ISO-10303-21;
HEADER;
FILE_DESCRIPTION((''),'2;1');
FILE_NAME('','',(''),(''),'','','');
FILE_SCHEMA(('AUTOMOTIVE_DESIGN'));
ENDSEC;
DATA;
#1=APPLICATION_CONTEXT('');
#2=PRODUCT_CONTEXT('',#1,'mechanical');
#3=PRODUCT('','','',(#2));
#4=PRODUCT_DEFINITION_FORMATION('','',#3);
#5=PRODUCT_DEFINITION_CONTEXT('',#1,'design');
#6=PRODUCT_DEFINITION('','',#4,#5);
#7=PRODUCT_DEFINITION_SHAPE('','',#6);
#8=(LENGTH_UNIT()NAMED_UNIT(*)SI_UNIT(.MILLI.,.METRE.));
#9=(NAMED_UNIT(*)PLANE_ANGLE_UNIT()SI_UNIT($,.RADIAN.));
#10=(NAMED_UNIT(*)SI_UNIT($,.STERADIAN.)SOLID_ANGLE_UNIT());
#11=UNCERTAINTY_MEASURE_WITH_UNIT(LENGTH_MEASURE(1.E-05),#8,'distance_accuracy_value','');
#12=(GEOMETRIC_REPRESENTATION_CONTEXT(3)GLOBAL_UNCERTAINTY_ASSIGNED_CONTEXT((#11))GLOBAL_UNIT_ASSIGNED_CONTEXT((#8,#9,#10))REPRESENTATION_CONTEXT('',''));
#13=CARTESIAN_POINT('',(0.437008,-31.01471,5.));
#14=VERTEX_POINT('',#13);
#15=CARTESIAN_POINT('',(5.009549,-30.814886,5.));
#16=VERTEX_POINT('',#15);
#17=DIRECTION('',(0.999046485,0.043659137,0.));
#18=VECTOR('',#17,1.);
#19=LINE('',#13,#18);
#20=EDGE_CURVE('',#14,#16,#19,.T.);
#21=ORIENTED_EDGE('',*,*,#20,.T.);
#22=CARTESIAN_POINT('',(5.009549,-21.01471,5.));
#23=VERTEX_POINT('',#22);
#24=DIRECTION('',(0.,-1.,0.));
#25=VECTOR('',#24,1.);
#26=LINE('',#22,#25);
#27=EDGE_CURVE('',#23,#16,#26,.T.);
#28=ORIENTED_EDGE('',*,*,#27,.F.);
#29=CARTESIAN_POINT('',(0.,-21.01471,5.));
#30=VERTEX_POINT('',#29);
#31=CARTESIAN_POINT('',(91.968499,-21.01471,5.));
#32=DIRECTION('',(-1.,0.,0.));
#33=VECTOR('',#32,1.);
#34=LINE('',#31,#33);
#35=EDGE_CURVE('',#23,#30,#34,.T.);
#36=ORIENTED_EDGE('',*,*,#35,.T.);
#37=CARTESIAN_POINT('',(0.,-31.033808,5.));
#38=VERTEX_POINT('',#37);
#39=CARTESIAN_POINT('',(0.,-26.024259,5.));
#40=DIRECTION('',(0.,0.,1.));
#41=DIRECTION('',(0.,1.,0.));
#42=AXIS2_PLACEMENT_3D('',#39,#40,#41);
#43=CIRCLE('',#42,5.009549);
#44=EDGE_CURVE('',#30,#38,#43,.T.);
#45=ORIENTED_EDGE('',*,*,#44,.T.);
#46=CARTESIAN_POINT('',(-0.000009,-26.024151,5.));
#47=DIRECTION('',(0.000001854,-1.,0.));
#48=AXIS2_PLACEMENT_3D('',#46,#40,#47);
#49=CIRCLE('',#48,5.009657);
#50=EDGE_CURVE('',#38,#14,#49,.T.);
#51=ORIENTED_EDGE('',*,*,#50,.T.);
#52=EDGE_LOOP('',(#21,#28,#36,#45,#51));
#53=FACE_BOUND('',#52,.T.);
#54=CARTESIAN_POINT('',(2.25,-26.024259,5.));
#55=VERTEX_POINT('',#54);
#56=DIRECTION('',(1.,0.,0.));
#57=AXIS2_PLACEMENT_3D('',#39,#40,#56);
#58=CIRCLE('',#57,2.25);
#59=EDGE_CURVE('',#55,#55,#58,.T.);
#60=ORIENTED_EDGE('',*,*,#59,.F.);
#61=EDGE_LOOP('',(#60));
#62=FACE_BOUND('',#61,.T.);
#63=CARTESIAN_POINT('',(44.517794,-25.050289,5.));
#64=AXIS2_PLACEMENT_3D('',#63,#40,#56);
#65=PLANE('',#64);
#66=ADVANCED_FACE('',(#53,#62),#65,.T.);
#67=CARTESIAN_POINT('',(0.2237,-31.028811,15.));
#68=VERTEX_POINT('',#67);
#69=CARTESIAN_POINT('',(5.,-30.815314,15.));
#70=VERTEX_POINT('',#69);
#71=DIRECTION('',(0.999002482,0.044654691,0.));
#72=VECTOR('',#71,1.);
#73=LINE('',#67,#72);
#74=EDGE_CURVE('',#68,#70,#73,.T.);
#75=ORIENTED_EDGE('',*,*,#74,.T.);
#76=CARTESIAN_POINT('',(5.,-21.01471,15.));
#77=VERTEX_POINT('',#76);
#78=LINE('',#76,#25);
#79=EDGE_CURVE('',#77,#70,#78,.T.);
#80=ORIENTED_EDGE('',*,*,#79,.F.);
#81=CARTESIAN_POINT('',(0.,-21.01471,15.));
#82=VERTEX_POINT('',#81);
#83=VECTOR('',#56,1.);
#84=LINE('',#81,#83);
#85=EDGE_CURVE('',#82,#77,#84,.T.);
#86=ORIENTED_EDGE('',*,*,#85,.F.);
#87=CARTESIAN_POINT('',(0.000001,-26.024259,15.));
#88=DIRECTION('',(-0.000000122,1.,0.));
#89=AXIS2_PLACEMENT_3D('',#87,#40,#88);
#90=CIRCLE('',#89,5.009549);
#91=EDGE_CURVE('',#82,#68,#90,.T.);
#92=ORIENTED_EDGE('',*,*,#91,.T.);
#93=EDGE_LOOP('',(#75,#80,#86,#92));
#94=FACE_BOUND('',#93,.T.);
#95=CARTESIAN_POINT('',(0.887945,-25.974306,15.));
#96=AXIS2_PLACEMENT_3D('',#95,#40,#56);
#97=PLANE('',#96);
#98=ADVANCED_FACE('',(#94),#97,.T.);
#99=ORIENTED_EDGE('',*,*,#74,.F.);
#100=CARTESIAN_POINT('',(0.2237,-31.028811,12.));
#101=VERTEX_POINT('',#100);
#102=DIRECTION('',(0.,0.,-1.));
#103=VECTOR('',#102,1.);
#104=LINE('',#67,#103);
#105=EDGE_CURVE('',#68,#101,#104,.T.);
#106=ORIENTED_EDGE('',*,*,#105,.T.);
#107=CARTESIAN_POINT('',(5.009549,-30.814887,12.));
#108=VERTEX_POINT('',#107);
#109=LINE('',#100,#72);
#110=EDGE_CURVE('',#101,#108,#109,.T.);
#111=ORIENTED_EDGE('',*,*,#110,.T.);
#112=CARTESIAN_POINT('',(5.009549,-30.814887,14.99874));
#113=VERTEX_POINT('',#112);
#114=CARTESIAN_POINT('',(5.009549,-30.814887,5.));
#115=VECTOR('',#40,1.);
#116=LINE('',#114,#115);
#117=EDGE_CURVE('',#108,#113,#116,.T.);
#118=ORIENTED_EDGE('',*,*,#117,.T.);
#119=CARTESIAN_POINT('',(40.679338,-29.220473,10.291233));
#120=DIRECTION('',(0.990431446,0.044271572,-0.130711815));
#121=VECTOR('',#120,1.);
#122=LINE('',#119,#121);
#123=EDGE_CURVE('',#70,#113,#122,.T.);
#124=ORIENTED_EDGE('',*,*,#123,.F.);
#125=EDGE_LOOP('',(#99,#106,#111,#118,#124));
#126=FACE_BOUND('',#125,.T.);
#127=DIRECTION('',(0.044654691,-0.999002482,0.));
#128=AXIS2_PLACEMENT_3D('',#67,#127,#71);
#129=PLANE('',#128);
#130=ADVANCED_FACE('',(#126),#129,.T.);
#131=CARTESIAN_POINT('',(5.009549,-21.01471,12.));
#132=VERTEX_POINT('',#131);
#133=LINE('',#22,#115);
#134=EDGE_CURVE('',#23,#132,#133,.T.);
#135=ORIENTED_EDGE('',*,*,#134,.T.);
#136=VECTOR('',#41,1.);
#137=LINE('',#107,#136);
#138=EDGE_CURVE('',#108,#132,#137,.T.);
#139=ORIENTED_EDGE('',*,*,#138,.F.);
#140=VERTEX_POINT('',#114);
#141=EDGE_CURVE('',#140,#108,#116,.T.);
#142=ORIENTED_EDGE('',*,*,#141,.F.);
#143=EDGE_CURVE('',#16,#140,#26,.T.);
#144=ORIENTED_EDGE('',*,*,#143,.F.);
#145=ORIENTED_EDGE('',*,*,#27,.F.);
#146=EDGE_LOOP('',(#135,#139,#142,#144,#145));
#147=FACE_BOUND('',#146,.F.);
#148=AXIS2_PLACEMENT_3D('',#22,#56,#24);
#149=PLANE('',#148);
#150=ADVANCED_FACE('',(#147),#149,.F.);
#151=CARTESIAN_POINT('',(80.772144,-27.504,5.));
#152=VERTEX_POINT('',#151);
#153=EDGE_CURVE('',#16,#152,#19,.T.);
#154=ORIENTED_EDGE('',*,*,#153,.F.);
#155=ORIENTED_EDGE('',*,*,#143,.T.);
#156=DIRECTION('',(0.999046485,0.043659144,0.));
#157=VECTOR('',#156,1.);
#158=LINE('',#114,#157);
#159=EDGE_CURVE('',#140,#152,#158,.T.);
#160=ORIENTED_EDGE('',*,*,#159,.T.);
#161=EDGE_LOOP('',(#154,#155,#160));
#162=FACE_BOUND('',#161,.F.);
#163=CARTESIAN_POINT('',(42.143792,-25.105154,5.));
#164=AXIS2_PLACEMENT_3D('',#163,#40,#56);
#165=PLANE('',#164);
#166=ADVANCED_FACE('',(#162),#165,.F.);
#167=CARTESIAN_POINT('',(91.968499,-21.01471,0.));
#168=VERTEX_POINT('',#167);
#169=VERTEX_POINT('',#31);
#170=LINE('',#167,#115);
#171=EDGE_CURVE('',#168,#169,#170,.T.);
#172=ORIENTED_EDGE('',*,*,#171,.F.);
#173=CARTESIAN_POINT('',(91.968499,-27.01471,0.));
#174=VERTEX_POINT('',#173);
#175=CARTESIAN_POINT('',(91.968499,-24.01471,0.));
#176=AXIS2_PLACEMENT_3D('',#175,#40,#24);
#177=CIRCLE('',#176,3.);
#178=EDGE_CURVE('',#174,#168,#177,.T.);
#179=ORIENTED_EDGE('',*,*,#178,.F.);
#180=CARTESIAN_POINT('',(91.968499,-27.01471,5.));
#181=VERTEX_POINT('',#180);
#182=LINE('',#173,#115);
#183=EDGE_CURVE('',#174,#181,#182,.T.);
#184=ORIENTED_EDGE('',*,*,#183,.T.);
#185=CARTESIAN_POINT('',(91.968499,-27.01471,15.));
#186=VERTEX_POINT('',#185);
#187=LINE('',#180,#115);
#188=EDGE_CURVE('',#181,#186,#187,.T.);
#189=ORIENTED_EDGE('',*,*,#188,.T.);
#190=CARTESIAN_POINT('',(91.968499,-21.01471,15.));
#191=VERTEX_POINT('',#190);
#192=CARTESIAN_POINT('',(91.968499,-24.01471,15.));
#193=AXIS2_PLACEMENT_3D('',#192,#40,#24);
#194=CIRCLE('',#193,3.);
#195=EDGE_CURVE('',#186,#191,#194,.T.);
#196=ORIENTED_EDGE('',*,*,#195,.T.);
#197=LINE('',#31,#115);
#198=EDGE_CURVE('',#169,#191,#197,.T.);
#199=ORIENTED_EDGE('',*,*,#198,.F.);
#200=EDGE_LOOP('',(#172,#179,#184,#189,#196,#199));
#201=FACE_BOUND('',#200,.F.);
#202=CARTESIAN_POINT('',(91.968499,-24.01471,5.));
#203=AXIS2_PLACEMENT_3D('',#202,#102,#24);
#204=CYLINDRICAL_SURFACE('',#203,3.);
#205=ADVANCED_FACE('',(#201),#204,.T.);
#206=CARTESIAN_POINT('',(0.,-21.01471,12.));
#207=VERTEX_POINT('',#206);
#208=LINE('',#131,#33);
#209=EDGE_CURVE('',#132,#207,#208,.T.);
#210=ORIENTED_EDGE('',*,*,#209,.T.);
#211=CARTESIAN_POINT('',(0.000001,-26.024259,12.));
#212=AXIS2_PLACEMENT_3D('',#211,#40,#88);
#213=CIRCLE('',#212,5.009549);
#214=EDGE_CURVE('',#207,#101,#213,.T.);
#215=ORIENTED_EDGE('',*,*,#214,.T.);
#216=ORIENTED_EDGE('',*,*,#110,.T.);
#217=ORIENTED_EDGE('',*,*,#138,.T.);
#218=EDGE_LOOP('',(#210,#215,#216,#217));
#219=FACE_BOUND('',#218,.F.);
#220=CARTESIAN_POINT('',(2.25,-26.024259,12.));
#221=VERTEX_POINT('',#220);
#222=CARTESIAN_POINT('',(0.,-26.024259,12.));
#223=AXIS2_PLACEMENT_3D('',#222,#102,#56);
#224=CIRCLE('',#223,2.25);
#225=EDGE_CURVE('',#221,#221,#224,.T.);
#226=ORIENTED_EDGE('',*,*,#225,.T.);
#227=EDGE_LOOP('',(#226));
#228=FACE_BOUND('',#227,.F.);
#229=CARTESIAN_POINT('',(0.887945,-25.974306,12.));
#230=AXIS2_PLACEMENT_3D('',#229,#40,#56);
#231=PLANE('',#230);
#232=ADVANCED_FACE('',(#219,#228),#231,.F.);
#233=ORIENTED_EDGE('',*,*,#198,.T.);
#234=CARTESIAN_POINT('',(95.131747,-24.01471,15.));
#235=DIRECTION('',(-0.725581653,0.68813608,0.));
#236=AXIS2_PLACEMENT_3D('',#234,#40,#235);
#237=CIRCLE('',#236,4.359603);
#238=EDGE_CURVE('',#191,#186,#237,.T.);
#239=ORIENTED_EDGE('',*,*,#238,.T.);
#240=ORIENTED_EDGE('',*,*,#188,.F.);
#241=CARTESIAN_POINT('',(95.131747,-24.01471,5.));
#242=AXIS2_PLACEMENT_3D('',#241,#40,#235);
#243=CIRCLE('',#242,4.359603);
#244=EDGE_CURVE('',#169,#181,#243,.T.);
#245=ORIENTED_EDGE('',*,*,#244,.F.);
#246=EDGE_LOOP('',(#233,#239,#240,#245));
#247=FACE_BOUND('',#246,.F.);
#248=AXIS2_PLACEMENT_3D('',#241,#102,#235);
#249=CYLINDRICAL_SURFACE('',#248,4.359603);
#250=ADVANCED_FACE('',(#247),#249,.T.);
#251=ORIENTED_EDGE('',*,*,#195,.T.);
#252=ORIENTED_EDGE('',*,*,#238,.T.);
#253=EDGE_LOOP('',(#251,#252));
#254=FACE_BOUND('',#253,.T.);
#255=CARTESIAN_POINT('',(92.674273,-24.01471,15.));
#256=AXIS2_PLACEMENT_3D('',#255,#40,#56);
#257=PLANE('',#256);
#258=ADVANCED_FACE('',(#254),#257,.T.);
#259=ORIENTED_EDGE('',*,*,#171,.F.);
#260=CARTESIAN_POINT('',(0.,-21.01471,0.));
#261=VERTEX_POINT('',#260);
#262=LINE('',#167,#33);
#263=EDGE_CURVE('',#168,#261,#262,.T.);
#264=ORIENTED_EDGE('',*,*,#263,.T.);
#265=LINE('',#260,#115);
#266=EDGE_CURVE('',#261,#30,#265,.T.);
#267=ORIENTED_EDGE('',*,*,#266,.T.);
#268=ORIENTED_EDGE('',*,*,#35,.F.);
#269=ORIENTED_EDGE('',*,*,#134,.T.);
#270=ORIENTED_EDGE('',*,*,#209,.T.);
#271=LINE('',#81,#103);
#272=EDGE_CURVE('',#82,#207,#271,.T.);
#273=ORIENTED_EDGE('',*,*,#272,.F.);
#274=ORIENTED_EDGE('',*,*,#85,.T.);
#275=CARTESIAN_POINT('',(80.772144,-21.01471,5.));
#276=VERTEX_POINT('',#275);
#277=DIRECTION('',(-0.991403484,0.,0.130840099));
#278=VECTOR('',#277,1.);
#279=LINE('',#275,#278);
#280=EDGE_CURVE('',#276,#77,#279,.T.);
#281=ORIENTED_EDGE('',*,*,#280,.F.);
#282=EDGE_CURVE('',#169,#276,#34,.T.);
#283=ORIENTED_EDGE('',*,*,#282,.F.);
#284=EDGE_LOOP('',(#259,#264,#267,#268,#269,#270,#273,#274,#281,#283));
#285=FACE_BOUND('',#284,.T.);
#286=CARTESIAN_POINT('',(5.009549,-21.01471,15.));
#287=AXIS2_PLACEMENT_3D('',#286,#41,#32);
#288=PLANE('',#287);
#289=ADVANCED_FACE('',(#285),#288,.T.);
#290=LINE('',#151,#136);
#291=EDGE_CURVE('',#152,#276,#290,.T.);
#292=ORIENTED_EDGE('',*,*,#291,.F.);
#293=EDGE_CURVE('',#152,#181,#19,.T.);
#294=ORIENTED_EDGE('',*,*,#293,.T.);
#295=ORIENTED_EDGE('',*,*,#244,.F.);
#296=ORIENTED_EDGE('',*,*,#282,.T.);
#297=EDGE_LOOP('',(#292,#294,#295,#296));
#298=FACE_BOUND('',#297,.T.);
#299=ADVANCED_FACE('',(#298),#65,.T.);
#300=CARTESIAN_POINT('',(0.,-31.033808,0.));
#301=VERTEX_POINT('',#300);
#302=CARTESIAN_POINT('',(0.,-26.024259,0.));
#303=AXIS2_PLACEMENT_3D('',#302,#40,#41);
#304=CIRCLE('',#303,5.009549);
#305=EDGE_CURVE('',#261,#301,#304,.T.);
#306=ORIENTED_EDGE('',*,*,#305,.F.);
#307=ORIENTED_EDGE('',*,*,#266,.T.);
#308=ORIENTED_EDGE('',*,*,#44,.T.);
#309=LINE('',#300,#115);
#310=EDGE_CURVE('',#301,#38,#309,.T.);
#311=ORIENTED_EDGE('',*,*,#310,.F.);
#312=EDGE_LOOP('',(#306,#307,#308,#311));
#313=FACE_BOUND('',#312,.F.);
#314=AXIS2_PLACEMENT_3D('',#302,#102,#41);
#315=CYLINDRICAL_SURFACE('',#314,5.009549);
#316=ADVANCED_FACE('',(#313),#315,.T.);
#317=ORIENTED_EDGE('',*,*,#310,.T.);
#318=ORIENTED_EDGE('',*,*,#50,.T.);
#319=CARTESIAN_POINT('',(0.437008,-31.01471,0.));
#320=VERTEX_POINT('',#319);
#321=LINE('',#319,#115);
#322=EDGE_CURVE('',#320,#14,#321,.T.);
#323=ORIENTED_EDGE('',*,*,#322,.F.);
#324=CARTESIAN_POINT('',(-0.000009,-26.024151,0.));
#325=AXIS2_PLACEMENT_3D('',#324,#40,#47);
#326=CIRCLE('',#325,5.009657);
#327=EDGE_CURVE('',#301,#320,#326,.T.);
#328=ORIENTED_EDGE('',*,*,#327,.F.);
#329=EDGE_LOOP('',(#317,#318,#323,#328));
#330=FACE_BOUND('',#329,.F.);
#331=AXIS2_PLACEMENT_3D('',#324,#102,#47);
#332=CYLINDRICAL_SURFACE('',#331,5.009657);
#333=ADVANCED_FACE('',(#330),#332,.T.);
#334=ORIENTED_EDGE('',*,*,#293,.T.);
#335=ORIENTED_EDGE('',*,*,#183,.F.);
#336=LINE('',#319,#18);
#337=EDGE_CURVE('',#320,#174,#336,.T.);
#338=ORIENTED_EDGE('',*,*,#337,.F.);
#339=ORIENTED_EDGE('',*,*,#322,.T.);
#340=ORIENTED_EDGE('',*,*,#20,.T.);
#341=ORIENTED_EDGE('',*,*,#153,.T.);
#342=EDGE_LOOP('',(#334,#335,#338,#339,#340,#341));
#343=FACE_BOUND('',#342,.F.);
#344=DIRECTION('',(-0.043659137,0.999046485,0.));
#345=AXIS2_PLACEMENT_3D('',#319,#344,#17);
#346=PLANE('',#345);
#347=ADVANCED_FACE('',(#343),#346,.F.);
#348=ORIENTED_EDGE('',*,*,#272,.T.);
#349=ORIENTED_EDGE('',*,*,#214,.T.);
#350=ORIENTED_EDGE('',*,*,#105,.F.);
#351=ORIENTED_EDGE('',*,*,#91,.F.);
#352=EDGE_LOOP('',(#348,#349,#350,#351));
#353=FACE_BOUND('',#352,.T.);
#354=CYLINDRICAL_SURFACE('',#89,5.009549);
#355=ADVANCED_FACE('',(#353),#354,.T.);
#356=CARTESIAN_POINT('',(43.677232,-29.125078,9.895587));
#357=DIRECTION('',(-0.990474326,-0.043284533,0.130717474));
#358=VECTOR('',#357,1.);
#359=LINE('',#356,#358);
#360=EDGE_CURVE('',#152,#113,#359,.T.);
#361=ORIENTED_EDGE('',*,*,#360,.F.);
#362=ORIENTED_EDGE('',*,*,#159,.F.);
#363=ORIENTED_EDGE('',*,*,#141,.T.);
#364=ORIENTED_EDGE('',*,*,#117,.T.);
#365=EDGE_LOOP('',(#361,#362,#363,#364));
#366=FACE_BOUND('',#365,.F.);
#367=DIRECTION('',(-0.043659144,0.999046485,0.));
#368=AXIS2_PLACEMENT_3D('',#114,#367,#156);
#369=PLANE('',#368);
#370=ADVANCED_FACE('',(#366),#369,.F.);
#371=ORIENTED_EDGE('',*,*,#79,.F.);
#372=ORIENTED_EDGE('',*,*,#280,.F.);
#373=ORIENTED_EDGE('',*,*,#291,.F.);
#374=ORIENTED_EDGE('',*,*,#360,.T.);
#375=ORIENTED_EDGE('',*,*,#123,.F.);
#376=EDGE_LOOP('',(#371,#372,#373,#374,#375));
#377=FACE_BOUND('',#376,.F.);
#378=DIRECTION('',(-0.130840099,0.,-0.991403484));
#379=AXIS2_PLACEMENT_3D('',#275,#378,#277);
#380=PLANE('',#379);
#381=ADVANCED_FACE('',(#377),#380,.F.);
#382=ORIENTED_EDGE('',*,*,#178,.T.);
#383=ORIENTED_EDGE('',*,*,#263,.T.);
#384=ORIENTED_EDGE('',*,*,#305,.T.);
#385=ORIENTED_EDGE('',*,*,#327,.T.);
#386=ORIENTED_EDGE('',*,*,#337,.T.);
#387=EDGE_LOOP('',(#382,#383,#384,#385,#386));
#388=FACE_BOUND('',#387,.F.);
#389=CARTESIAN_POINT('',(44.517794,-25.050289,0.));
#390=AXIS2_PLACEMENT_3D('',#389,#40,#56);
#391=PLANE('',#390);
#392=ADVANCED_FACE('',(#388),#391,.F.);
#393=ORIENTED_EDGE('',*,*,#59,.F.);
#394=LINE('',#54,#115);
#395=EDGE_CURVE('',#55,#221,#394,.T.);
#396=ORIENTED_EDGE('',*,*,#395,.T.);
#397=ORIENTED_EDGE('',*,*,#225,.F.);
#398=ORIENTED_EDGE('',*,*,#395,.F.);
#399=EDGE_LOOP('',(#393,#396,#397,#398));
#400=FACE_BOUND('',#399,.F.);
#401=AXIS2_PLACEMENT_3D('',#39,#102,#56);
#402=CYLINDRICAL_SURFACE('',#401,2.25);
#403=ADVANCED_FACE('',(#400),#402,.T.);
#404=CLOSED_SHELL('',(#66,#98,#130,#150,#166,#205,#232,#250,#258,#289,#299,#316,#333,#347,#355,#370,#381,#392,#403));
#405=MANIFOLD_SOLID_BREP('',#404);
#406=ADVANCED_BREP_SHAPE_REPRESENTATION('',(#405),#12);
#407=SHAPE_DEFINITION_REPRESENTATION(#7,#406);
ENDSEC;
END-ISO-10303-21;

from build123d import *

# Parameters (mm, degrees)
F1_DEPTH  = 5
F3_DEPTH  = 10
F4_R      = 2.25
F5_DEPTH  = 10
F7_DEPTH  = 10
F9_DEPTH  = 3
F11_DEPTH = 25


with BuildPart() as f1:
    # F0 (on Top) → F1 (new body)
    with BuildSketch(Plane.XY):
        with BuildLine():
            Line((91.968499, -21.01471), (0, -21.01471))
            ThreePointArc((0, -21.01471), (-5.009549, -26.024259), (0, -31.033808))
            Line((0, -31.033808), (0.437008, -31.01471))
            Line((0.437008, -31.01471), (91.968499, -27.01471))
            ThreePointArc((91.968499, -27.01471), (94.968499, -24.01471), (91.968499, -21.01471))
        make_face()
        with BuildLine():
            Line((0.437008, -31.01471), (0, -31.033808))
            ThreePointArc((0, -31.033808), (0.218713, -31.029031), (0.437008, -31.01471))
        make_face()
    extrude(amount=F1_DEPTH)

    # F2 (on face) → F3 (join)
    with BuildSketch(Plane.XY.offset(5)):
        with BuildLine():
            ThreePointArc((91.968499, -21.01471), (90.772144, -24.01471), (91.968499, -27.01471))
            ThreePointArc((91.968499, -27.01471), (94.968499, -24.01471), (91.968499, -21.01471))
        make_face()
    extrude(amount=F3_DEPTH)

    # F4 (on face) → F5 (join)
    with BuildSketch(Plane.XY.offset(5)):
        with Locations((0, -26.024259)):
            Circle(F4_R)
    extrude(amount=F5_DEPTH)

    # F6 (on face) → F7 (join)
    with BuildSketch(Plane.XY.offset(5)):
        Polygon((5.009549, -21.01471), (5.009549, -26.024259), (5.009549, -30.814887), (80.772144, -27.504), (80.772144, -21.01471), align=None)
    extrude(amount=F7_DEPTH)

    # F8 (on face) → F9 (join)
    with BuildSketch(Plane.XY.offset(15)):
        with BuildLine():
            Line((5.009549, -21.01471), (0, -21.01471))
            ThreePointArc((0, -21.01471), (-5.008299, -26.136137), (0.2237, -31.028811))
            Line((0.2237, -31.028811), (5.009549, -30.814887))
            Line((5.009549, -30.814887), (5.009549, -21.01471))
        make_face()
    extrude(amount=-F9_DEPTH)

    # F10 (on face) → F11 (cut)
    with BuildSketch(Plane(origin=(0, -21.01471, 0), x_dir=(-1, 0, 0), z_dir=(0, 1, 0))):
        Polygon((-80.772144, 15), (-80.772144, 5), (-5, 15), align=None)
    extrude(amount=-F11_DEPTH, mode=Mode.SUBTRACT)


solid = f1.part
